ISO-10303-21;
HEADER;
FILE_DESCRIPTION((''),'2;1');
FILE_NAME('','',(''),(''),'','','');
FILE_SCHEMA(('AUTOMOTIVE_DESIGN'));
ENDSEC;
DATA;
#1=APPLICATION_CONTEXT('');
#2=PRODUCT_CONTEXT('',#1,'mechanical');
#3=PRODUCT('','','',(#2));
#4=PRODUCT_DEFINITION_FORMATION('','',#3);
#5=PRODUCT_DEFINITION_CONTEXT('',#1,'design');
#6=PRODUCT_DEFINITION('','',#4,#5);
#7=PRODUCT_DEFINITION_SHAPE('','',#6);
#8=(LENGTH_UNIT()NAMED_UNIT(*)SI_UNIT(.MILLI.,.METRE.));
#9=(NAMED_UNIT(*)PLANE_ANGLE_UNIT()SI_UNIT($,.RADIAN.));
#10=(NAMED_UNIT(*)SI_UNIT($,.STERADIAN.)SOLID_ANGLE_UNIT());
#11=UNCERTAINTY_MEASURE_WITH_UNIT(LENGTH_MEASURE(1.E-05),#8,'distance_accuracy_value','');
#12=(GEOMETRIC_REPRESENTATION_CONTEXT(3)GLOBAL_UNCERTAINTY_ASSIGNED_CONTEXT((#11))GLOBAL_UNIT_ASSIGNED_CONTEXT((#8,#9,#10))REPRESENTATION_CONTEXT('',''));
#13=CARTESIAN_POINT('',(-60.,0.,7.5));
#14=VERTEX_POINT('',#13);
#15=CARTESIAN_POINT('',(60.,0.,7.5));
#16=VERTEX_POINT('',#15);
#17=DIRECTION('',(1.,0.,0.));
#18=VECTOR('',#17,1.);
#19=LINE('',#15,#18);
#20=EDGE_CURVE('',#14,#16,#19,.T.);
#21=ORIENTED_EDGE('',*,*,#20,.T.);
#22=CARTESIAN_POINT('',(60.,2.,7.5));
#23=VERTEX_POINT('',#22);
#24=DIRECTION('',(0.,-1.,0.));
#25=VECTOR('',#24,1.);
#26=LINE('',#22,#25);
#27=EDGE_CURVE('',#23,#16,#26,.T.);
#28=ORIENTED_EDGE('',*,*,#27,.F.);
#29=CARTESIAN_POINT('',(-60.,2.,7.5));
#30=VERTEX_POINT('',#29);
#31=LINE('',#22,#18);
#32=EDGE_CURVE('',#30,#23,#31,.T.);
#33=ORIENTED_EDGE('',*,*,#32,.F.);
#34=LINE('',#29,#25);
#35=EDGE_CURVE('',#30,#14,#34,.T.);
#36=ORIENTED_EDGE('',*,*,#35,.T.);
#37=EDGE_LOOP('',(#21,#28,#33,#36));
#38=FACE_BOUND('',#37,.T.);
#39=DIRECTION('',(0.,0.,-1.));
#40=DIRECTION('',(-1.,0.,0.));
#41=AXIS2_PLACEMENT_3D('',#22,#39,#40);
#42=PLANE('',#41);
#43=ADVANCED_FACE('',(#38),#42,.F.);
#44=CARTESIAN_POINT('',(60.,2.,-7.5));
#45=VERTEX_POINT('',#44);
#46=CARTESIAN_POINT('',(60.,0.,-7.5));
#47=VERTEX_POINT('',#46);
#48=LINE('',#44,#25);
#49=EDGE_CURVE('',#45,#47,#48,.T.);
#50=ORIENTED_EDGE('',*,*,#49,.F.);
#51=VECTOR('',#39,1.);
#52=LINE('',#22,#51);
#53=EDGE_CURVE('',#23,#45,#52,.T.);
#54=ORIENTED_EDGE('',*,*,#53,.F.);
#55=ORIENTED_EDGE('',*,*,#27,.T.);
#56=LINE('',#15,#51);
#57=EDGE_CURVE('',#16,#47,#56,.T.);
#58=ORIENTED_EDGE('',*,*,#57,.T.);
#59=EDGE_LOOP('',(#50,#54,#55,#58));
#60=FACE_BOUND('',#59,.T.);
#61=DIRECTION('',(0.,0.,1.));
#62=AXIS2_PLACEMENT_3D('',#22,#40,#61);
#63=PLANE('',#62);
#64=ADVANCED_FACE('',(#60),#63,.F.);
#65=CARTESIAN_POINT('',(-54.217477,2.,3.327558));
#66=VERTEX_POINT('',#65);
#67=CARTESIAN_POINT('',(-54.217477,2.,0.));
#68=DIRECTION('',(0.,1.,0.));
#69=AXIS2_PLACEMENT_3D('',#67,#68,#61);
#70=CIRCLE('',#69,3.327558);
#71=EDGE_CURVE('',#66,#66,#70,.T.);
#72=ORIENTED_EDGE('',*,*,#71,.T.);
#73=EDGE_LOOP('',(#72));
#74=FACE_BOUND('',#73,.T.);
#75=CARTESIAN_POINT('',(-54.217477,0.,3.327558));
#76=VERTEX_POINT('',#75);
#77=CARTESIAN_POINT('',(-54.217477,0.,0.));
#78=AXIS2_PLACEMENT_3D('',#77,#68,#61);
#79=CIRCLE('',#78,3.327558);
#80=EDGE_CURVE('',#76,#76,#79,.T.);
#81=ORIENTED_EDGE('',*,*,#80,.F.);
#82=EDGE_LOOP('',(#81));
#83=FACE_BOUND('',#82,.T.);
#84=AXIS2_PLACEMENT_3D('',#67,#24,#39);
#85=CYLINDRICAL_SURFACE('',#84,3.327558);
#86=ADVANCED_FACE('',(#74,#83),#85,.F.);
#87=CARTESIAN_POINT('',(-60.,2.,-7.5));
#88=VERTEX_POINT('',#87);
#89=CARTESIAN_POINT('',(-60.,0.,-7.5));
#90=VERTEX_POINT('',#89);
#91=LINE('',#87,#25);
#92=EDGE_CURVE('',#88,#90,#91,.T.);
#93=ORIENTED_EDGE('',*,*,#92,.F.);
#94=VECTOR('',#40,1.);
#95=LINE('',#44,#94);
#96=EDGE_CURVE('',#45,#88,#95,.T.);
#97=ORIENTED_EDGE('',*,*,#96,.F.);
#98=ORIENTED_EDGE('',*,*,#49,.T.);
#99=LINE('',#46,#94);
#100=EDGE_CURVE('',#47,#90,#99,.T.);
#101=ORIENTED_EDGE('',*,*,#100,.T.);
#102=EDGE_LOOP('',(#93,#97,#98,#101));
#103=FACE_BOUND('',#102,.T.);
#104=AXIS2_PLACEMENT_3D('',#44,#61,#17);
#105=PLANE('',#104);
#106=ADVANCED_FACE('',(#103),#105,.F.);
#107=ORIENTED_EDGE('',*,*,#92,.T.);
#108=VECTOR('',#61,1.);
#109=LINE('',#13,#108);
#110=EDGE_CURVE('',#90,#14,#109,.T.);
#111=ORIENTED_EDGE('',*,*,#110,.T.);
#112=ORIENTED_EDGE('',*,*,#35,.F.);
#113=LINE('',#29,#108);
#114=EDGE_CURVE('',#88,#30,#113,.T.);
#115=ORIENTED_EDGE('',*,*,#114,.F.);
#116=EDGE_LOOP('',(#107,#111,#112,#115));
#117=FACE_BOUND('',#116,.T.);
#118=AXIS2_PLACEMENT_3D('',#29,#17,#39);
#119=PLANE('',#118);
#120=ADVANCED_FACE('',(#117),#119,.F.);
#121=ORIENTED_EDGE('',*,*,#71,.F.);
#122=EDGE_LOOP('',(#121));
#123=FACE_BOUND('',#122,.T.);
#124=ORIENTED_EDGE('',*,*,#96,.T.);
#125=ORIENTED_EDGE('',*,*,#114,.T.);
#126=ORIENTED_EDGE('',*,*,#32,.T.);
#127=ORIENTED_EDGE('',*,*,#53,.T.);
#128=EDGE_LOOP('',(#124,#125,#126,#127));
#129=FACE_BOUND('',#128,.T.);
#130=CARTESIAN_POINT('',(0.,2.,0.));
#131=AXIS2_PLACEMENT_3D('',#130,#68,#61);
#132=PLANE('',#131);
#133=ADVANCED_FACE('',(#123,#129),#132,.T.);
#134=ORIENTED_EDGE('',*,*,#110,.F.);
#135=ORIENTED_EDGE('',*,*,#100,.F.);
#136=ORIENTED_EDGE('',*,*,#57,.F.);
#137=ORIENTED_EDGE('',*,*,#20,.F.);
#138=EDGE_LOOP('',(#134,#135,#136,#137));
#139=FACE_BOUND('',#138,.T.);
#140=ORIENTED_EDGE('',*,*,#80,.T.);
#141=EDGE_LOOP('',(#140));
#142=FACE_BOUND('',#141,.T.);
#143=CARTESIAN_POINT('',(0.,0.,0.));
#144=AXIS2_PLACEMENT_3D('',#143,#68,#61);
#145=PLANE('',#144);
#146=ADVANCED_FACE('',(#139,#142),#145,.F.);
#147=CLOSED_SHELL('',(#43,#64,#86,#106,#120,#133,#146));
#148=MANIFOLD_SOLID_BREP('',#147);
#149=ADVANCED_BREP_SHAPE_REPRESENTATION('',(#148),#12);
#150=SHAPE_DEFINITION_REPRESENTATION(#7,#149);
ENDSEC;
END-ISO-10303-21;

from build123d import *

# Parameters (mm, degrees)
SKETCH1_W           = 120
SKETCH1_H           = 15
SKETCH1_R           = 3.327558187
BOSS_EXTRUDE1_DEPTH = 2


with BuildPart() as part:
    # Sketch1 → Boss-Extrude1 (new body)
    with BuildSketch(Plane(origin=(0, 0, 0), x_dir=(1, 0, 0), z_dir=(0, 1, 0))):
        Rectangle(SKETCH1_W, SKETCH1_H)
        with Locations(Location((-54.217476842, 0, 0), (0, 0, 270))):
            Circle(SKETCH1_R, mode=Mode.SUBTRACT)
    extrude(amount=BOSS_EXTRUDE1_DEPTH)


solid = part.part
